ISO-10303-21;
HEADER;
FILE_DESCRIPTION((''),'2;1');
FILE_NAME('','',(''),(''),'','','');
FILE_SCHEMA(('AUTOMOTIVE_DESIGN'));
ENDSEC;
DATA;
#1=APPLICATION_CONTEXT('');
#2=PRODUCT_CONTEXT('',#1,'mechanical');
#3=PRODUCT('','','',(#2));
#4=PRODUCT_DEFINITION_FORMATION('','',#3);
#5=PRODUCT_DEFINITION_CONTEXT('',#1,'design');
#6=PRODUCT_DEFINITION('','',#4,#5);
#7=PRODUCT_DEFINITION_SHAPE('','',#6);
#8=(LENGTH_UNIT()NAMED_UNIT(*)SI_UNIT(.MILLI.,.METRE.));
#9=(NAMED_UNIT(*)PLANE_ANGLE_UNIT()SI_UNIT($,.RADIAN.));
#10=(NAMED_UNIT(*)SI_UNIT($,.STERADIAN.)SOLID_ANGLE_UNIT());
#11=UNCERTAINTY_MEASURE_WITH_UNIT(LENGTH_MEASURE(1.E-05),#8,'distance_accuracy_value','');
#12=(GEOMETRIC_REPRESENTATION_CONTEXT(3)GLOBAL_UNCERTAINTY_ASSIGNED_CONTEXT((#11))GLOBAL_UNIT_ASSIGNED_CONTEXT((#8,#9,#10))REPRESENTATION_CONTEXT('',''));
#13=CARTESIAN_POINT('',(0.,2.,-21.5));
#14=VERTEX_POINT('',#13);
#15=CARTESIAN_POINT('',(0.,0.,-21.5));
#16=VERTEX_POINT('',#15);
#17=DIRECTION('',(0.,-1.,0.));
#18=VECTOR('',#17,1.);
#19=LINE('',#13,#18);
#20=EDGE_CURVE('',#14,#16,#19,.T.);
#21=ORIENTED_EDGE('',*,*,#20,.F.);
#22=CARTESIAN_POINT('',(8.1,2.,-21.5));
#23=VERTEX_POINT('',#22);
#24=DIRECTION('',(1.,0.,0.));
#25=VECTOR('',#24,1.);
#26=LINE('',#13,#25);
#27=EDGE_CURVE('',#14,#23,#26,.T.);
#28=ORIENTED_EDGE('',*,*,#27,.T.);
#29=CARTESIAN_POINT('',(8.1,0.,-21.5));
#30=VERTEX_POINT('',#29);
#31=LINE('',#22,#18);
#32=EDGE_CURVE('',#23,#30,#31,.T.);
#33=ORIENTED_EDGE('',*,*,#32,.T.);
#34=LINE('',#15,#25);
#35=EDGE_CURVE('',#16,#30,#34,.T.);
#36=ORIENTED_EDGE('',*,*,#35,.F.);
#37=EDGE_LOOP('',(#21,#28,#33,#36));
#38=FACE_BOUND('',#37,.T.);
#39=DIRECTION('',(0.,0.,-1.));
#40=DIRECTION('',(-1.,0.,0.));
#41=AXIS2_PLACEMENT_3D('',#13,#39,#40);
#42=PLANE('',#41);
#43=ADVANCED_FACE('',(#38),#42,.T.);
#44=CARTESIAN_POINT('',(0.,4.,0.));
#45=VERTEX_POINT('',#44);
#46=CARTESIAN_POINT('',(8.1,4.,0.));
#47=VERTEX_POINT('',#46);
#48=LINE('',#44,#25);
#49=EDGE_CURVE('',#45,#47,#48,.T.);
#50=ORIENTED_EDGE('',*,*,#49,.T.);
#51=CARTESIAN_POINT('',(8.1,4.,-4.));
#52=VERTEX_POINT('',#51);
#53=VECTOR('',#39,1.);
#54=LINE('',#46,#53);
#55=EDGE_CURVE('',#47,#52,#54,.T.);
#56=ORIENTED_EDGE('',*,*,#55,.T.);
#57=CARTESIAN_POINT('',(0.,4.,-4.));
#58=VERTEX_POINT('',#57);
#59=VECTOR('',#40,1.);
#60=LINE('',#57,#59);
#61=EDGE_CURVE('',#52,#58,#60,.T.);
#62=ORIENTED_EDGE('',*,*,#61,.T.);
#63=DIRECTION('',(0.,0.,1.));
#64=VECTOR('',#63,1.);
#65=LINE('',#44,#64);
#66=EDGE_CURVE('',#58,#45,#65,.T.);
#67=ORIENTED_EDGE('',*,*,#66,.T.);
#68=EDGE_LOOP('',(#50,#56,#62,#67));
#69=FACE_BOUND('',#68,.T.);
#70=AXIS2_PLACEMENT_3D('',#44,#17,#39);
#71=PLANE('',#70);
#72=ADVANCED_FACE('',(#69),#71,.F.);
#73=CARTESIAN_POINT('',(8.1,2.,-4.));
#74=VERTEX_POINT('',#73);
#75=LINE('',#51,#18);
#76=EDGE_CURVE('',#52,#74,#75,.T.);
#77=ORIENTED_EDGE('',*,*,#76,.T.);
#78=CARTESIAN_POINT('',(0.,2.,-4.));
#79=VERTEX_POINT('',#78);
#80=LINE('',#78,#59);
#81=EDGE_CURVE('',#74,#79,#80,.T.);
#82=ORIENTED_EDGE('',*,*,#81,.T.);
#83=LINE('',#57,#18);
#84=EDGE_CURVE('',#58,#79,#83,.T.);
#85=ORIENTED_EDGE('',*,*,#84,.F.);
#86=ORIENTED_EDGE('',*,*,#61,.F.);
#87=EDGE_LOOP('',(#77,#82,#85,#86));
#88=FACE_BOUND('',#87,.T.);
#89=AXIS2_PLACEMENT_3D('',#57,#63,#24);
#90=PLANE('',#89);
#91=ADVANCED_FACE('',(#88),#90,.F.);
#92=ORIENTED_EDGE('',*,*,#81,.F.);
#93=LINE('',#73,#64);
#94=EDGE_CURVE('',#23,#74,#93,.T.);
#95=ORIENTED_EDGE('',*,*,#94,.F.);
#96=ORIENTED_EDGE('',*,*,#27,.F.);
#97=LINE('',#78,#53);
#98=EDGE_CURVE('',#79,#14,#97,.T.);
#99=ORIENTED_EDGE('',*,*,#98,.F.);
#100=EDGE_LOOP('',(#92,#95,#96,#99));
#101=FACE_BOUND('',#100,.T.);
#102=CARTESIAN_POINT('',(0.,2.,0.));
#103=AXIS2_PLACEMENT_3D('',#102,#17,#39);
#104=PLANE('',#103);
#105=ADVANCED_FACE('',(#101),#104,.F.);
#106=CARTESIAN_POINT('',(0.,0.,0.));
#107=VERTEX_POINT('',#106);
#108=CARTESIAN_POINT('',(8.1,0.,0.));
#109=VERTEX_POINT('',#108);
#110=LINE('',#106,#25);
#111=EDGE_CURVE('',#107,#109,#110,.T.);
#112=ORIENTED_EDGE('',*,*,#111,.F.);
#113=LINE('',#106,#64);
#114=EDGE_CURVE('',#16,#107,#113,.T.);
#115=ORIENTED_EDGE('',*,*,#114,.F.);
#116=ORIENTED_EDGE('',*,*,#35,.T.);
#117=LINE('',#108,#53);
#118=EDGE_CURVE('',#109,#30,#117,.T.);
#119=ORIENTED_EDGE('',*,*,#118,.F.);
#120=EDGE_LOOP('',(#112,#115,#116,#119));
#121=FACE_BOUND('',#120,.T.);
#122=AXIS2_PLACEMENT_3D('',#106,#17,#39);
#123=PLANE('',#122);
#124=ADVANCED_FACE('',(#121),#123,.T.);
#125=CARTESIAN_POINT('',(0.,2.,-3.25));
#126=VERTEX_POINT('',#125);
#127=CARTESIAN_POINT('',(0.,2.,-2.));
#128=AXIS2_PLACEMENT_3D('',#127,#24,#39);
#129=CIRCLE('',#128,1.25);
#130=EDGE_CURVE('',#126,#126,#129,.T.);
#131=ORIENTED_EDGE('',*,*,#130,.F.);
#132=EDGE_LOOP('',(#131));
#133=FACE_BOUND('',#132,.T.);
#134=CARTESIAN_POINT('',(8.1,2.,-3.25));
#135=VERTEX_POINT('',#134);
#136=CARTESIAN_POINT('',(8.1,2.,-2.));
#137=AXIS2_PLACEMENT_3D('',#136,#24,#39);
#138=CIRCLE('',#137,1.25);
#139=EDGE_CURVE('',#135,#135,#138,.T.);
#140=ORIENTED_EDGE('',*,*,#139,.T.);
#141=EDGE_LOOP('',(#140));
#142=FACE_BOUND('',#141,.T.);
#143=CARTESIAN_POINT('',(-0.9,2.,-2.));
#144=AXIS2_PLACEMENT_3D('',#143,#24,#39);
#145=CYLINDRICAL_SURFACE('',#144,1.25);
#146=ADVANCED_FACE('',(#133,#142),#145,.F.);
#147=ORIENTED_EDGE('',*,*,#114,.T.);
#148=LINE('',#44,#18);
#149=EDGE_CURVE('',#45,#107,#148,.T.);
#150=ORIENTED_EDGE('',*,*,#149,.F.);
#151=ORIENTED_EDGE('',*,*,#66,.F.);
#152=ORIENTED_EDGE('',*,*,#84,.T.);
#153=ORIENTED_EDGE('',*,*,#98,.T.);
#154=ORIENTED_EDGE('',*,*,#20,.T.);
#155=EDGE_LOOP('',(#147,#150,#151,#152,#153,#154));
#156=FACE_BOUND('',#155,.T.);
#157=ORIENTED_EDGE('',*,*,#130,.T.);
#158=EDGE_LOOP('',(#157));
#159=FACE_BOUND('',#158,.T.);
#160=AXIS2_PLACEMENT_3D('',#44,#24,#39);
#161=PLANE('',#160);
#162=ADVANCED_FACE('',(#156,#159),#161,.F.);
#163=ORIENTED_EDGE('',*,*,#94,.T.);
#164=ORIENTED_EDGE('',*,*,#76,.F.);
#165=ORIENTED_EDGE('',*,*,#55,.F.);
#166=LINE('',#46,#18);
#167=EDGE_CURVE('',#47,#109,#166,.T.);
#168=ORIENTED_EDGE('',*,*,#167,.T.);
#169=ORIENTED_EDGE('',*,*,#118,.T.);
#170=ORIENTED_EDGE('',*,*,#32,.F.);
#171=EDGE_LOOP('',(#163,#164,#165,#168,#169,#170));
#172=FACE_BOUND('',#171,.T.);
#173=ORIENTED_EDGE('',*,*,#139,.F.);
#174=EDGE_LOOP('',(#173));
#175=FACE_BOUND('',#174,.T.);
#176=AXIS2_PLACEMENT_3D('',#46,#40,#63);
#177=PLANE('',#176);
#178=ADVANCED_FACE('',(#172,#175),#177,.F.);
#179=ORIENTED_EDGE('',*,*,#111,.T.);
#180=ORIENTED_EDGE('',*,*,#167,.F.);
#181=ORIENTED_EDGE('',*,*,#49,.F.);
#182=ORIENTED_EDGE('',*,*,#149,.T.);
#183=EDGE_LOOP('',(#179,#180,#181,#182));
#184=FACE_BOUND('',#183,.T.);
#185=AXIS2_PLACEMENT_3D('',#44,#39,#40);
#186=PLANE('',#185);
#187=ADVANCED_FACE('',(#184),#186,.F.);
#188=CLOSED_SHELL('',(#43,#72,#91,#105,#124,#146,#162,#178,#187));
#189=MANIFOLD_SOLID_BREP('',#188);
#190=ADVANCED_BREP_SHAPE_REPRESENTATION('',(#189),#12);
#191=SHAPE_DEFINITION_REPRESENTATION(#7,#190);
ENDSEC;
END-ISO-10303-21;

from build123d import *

# Parameters (mm, degrees)
SKETCH1_W           = 8.1
SKETCH1_H           = 4
BOSS_EXTRUDE1_DEPTH = 4
SKETCH2_R           = 1.25
CUT_EXTRUDE1_DEPTH  = 9
SKETCH4_W           = 8.1
SKETCH4_H           = 17.5
BOSS_EXTRUDE2_DEPTH = 2


with BuildPart() as part:
    # Sketch1 → Boss-Extrude1 (new body)
    with BuildSketch(Plane(origin=(0, 0, 0), x_dir=(1, 0, 0), z_dir=(0, 1, 0))):
        with Locations((4.05, 2)):
            Rectangle(SKETCH1_W, SKETCH1_H)
    extrude(amount=BOSS_EXTRUDE1_DEPTH)

    # Sketch2 → Cut-Extrude1 (cut)
    with BuildSketch(Plane(origin=(8.1, 0, 0), x_dir=(0, 0, -1), z_dir=(1, 0, 0))):
        with Locations((2, 2)):
            Circle(SKETCH2_R)
    extrude(amount=-CUT_EXTRUDE1_DEPTH, mode=Mode.SUBTRACT)

    # Sketch4 → Boss-Extrude2 (add)
    with BuildSketch(Plane(origin=(0, 0, 0), x_dir=(-1, 0, 0), z_dir=(0, -1, 0))):
        with Locations((-4.05, 12.75)):
            Rectangle(SKETCH4_W, SKETCH4_H)
    extrude(amount=-BOSS_EXTRUDE2_DEPTH)


solid = part.part
